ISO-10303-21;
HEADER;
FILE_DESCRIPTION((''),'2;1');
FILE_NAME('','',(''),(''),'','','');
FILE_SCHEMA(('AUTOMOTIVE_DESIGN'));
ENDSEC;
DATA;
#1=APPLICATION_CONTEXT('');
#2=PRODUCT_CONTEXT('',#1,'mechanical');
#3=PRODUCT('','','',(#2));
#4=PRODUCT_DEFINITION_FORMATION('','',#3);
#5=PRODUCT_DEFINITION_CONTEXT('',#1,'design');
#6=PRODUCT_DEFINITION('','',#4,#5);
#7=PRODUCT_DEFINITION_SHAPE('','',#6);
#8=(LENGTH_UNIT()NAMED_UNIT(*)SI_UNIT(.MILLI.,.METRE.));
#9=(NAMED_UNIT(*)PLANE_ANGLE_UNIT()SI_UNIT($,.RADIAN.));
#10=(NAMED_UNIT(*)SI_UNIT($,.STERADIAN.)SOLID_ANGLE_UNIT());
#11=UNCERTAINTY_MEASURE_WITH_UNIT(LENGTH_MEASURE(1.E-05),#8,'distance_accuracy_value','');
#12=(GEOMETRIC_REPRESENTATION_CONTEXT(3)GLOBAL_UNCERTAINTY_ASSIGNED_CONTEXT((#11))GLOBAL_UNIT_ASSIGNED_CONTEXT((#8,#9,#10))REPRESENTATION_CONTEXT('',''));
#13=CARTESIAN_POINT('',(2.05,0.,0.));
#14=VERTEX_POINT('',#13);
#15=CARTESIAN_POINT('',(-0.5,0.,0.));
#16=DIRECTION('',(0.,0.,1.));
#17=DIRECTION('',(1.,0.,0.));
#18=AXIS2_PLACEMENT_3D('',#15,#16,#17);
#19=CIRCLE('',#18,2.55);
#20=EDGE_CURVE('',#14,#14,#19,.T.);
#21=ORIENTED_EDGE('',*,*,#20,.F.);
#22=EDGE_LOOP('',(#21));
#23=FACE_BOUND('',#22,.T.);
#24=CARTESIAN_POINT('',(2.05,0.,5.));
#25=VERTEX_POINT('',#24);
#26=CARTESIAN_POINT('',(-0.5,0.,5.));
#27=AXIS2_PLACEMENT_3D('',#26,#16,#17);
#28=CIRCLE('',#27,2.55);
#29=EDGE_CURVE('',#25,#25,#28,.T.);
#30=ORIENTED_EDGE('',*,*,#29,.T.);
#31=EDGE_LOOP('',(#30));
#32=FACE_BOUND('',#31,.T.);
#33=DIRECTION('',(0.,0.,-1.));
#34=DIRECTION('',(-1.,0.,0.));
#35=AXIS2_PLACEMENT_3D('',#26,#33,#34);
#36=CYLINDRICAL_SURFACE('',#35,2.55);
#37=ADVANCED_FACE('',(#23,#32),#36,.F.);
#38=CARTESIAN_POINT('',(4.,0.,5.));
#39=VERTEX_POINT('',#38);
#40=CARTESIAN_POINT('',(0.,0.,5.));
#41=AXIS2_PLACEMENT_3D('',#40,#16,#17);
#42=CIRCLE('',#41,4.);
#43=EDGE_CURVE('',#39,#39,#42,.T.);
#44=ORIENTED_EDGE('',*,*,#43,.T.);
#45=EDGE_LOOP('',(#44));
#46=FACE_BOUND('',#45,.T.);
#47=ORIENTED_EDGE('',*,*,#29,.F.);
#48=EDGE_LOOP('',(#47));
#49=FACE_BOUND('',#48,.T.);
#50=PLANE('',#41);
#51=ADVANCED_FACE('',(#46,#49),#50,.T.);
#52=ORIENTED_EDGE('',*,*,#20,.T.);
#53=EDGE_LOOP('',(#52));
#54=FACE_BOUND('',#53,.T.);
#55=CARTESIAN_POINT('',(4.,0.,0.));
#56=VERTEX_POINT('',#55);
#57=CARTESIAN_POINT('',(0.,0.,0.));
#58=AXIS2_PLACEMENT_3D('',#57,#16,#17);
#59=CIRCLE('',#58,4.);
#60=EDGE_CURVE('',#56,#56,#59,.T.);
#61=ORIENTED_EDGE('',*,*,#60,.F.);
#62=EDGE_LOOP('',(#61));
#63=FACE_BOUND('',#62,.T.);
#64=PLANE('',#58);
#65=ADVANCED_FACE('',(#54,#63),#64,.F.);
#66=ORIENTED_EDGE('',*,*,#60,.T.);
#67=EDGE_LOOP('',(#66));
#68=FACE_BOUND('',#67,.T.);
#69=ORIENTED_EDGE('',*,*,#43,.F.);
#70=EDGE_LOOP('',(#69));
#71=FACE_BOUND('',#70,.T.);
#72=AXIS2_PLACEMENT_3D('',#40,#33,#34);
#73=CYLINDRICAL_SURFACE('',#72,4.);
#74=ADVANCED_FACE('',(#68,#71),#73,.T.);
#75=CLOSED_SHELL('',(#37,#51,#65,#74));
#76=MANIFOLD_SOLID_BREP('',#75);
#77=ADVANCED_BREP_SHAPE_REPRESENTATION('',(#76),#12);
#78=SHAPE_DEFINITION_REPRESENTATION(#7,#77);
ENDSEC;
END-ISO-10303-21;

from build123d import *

# Parameters (mm, degrees)
SKETCH_1_R      = 4
SKETCH_1_R_2    = 2.55
EXTRUDE_1_DEPTH = 5


with BuildPart() as part:
    # 草图1 → 凸台-拉伸1 (new body)
    with BuildSketch(Plane.XY):
        Circle(SKETCH_1_R)
        with Locations((-0.5, 0)):
            Circle(SKETCH_1_R_2, mode=Mode.SUBTRACT)
    extrude(amount=EXTRUDE_1_DEPTH)


solid = part.part
